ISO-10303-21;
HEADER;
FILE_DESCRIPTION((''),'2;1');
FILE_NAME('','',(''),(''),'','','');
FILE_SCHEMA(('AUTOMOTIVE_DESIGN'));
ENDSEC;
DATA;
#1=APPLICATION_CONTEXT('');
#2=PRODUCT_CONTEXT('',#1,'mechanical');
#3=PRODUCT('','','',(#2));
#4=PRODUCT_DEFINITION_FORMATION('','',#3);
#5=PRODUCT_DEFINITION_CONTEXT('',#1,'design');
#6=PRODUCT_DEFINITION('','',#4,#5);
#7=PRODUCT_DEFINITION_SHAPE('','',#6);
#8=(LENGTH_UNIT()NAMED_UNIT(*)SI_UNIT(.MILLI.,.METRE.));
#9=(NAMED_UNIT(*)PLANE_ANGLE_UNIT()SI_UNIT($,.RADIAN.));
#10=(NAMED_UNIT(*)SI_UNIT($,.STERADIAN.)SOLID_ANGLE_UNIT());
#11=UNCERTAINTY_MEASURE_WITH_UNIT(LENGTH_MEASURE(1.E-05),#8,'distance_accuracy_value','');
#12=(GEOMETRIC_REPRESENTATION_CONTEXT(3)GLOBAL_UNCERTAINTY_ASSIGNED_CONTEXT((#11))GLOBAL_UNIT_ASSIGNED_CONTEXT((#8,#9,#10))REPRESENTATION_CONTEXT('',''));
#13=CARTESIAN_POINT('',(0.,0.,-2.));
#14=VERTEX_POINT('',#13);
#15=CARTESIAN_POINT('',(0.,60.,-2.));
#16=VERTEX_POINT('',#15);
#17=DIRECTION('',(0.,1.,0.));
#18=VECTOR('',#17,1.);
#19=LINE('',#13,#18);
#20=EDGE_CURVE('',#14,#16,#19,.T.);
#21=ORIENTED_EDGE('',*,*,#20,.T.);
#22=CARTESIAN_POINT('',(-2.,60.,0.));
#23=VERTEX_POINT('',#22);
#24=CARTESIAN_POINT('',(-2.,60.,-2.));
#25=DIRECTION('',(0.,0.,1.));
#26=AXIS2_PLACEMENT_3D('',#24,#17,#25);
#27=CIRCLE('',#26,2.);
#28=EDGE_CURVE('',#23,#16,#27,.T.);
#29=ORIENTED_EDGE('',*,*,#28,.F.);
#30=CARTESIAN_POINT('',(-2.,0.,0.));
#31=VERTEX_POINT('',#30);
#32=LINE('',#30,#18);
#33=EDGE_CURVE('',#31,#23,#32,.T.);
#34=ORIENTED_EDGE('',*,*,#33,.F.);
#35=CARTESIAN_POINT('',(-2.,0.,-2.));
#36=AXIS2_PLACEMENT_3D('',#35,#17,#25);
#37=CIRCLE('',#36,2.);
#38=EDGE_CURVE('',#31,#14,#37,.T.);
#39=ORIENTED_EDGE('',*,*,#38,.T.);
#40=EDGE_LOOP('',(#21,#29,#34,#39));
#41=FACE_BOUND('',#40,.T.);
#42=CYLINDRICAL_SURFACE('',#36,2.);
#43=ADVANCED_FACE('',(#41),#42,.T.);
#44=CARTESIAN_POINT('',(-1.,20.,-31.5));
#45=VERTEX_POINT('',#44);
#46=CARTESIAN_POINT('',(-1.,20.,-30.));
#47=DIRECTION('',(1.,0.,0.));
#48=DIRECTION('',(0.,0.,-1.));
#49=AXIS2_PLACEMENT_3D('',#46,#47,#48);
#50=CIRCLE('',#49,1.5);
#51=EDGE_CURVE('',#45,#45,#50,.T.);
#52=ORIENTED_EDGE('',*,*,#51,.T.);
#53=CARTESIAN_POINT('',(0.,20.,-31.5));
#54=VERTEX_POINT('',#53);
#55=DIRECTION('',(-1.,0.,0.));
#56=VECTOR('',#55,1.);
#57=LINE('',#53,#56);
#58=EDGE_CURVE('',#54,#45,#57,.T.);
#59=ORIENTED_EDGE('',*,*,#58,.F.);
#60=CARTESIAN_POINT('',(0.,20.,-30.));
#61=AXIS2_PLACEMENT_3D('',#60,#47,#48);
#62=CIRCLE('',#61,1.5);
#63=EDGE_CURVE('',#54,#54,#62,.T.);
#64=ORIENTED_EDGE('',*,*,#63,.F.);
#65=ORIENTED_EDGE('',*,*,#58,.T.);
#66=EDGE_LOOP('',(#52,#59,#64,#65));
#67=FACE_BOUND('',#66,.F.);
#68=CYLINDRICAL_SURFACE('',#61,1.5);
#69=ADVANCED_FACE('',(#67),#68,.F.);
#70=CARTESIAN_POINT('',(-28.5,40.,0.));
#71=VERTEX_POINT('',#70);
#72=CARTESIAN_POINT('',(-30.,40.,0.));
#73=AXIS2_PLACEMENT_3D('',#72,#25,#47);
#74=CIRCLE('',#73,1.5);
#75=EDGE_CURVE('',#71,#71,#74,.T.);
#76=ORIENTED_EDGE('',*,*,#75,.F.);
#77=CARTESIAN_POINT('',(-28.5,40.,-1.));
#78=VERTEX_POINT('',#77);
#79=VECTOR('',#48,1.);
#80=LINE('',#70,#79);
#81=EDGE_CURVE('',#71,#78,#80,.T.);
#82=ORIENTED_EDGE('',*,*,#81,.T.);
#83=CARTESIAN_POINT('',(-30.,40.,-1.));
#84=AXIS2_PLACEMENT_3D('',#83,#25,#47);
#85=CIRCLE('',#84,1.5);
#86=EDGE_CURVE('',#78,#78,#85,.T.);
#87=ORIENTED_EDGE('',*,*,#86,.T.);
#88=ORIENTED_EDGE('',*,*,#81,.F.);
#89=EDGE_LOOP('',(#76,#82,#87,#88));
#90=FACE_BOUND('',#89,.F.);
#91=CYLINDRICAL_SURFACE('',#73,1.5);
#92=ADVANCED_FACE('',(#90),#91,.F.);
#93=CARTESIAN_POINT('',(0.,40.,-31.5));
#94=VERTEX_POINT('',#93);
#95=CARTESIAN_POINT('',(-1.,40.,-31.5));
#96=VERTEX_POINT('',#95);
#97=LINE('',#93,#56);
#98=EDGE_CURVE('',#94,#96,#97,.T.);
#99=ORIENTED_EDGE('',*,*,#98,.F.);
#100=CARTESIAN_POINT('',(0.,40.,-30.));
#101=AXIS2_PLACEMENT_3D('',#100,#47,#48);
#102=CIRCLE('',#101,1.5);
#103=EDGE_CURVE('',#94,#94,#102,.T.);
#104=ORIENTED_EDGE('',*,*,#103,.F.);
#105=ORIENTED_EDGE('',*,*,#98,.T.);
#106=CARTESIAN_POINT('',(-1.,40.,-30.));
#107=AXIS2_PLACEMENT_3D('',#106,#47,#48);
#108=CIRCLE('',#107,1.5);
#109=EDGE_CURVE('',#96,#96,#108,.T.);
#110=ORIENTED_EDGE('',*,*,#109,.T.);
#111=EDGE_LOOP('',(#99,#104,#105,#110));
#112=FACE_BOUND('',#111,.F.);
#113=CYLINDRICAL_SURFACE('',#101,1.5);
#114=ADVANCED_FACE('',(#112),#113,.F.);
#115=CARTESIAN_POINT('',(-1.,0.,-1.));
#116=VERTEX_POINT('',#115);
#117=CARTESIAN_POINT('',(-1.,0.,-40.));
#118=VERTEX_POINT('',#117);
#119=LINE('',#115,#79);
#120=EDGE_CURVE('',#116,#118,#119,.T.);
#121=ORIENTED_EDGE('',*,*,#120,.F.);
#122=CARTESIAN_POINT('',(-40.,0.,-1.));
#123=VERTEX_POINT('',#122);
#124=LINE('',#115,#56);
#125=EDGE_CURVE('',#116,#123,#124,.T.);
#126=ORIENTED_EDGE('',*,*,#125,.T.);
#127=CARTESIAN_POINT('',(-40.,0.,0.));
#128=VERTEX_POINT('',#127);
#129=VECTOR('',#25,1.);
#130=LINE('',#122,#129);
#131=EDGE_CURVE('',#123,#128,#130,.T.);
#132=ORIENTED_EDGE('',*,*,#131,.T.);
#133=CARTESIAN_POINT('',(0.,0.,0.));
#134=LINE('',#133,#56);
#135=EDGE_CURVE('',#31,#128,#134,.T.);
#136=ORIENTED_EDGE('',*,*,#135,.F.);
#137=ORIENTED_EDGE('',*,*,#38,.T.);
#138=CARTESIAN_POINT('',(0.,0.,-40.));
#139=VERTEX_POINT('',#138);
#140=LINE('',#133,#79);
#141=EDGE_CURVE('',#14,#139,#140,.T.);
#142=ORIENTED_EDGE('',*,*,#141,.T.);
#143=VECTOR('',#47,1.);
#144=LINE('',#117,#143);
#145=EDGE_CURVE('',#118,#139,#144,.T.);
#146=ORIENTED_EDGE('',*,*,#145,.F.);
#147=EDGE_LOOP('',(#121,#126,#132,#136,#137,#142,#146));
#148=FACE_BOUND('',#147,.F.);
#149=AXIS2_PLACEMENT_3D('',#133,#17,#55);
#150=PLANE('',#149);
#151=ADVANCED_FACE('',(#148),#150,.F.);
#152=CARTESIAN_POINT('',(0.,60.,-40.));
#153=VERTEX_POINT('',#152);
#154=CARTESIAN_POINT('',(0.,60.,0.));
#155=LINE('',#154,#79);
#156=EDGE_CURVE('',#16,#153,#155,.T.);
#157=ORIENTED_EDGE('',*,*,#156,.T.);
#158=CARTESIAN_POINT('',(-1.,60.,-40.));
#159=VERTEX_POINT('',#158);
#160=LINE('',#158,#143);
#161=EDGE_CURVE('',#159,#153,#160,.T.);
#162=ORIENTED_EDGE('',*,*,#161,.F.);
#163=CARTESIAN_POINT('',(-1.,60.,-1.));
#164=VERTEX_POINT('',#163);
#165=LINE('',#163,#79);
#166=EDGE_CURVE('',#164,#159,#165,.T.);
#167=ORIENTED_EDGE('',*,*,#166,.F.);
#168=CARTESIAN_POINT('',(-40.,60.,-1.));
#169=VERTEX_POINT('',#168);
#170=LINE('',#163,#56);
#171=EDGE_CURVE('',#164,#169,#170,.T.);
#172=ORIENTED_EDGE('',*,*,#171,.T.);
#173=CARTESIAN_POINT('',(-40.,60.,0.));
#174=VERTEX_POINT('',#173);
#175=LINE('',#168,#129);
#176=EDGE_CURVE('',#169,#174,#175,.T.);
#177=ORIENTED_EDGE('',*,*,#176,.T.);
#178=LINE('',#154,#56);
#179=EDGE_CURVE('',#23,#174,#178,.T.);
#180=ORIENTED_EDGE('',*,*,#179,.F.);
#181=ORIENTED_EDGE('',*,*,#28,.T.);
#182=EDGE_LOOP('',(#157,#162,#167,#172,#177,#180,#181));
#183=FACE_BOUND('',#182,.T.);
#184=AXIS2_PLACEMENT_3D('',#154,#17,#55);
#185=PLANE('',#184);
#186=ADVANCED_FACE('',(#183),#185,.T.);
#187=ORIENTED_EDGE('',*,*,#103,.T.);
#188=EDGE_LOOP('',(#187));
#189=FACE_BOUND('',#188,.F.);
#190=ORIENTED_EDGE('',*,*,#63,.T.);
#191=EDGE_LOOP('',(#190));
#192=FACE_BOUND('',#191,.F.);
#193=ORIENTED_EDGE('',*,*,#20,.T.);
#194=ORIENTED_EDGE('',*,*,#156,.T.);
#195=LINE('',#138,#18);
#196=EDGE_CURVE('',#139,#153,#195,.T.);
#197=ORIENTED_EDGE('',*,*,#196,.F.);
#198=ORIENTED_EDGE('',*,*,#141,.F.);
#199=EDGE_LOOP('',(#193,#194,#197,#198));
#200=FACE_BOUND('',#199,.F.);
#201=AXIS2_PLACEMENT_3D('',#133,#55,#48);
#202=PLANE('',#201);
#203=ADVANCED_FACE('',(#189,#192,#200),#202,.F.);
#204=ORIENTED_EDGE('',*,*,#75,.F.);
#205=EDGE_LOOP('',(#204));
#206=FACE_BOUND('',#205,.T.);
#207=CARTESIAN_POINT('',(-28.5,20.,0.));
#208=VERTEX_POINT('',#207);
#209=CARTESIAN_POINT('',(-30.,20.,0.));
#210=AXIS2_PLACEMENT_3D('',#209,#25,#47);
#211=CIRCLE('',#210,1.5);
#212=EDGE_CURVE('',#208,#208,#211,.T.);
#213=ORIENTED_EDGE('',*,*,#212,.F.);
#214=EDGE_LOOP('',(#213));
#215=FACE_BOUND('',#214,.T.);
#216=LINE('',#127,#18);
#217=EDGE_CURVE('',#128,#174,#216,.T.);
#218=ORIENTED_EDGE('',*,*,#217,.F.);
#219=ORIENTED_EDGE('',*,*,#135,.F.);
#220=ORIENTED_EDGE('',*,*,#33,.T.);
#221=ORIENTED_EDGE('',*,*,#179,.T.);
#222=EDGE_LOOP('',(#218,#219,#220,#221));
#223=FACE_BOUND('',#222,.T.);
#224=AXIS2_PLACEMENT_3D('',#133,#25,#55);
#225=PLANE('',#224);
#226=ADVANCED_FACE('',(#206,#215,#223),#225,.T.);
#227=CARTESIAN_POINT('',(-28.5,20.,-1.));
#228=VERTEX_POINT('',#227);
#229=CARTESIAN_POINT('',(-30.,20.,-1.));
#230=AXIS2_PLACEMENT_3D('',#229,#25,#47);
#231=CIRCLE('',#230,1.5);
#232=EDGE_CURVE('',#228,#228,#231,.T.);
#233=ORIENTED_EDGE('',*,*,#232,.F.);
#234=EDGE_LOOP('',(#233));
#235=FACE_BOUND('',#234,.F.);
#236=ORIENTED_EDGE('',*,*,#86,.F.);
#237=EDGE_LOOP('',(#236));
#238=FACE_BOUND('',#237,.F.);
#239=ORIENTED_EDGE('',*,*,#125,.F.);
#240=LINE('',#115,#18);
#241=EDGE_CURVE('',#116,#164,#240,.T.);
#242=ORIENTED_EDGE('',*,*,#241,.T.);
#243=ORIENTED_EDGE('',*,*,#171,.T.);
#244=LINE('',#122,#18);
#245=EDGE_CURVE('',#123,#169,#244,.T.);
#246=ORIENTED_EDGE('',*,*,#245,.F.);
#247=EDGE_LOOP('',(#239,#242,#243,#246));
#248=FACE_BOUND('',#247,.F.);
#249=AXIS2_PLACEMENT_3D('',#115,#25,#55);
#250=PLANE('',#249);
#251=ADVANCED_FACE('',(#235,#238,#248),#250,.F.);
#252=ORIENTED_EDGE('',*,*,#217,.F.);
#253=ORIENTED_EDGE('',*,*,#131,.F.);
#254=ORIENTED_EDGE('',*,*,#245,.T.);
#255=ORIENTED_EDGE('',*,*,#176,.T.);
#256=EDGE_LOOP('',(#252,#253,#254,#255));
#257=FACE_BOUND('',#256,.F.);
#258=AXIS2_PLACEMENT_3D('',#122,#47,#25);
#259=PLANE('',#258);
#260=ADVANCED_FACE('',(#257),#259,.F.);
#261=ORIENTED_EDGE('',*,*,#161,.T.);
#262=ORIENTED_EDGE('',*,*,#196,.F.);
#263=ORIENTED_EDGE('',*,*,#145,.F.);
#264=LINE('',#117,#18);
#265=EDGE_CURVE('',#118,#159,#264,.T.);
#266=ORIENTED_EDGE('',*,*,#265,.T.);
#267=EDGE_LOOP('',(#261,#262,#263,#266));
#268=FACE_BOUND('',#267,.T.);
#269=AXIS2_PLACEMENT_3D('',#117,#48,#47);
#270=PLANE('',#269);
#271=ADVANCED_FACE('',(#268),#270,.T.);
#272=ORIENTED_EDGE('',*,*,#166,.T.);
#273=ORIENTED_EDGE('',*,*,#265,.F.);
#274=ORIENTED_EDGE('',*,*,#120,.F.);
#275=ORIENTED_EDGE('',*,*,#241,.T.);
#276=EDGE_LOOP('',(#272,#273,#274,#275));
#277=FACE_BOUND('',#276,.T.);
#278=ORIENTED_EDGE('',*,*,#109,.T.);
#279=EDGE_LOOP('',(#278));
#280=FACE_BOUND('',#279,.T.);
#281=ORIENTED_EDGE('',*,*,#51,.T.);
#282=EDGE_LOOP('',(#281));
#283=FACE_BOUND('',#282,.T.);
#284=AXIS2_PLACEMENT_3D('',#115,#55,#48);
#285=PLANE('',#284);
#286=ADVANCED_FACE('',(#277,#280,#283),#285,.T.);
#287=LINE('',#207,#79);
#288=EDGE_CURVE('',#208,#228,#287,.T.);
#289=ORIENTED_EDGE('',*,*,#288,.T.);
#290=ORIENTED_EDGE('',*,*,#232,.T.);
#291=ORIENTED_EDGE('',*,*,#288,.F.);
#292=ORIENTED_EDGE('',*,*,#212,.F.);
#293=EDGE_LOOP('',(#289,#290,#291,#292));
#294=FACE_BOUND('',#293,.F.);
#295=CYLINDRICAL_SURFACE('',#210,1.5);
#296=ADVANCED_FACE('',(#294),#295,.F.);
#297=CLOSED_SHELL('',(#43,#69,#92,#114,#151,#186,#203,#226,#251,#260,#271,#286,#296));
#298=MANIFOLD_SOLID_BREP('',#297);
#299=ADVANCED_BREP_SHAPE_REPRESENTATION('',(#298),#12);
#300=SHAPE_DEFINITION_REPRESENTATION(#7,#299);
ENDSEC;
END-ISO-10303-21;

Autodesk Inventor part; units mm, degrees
ref_plane "YZ Plane" through (0, 0, 0) normal (1, 0, 0) x (0, 1, 0)
ref_plane "XZ Plane" through (0, 0, 0) normal (0, 1, 0) x (-1, 0, 0)
ref_plane "XY Plane" through (0, 0, 0) normal (0, 0, 1) x (1, 0, 0)
sketch "Sketch1" plane through (0, 0, 0) normal (0, 1, 0) x (-1, 0, 0)
  line L0 (60, 0) -> (60, -1)
  line L1 (1, -60) -> (0, -60)
  line L2 (0, 0) -> (0, -40)
  line L3 (1, -1) -> (1, -40)
  line L4 (1, -40) -> (0, -40)
  line L5 (0, 0) -> (40, 0)
  line L6 (1, -1) -> (40, -1)
  line L7 (40, -1) -> (40, 0)
  dimension "d0" = 60
  dimension "d2" = 1
  dimension "d15" = 40
  dimension "d24" = 40
extrude "Extrusion1" add sketch "Sketch1" along normal blind 60
fillet "Fillet1" radius 2 1 edges at (0, 30, 0)
sketch "Sketch4" plane through (0, 0, -40) normal (1, 0, 0) x (0, 0, -1)
  circle A0 centre (-10, 40) radius 1.5
  circle A1 centre (-10, 20) radius 1.5
  point P0 (-40, 0)
  dimension "d17" = 3
  dimension "d18" = 3
extrude "Extrusion4" cut sketch "Sketch4" against normal blind 1
sketch "Sketch5" plane through (-40, 0, 0) normal (0, 0, 1) x (1, 0, 0)
  circle A0 centre (10, 40) radius 1.5
  circle A1 centre (10, 20) radius 1.5
  point P0 (40, 0)
  dimension "d25" = 3
  dimension "d27" = 3
extrude "Extrusion5" cut sketch "Sketch5" against normal blind 1
properties part number "clamp"
